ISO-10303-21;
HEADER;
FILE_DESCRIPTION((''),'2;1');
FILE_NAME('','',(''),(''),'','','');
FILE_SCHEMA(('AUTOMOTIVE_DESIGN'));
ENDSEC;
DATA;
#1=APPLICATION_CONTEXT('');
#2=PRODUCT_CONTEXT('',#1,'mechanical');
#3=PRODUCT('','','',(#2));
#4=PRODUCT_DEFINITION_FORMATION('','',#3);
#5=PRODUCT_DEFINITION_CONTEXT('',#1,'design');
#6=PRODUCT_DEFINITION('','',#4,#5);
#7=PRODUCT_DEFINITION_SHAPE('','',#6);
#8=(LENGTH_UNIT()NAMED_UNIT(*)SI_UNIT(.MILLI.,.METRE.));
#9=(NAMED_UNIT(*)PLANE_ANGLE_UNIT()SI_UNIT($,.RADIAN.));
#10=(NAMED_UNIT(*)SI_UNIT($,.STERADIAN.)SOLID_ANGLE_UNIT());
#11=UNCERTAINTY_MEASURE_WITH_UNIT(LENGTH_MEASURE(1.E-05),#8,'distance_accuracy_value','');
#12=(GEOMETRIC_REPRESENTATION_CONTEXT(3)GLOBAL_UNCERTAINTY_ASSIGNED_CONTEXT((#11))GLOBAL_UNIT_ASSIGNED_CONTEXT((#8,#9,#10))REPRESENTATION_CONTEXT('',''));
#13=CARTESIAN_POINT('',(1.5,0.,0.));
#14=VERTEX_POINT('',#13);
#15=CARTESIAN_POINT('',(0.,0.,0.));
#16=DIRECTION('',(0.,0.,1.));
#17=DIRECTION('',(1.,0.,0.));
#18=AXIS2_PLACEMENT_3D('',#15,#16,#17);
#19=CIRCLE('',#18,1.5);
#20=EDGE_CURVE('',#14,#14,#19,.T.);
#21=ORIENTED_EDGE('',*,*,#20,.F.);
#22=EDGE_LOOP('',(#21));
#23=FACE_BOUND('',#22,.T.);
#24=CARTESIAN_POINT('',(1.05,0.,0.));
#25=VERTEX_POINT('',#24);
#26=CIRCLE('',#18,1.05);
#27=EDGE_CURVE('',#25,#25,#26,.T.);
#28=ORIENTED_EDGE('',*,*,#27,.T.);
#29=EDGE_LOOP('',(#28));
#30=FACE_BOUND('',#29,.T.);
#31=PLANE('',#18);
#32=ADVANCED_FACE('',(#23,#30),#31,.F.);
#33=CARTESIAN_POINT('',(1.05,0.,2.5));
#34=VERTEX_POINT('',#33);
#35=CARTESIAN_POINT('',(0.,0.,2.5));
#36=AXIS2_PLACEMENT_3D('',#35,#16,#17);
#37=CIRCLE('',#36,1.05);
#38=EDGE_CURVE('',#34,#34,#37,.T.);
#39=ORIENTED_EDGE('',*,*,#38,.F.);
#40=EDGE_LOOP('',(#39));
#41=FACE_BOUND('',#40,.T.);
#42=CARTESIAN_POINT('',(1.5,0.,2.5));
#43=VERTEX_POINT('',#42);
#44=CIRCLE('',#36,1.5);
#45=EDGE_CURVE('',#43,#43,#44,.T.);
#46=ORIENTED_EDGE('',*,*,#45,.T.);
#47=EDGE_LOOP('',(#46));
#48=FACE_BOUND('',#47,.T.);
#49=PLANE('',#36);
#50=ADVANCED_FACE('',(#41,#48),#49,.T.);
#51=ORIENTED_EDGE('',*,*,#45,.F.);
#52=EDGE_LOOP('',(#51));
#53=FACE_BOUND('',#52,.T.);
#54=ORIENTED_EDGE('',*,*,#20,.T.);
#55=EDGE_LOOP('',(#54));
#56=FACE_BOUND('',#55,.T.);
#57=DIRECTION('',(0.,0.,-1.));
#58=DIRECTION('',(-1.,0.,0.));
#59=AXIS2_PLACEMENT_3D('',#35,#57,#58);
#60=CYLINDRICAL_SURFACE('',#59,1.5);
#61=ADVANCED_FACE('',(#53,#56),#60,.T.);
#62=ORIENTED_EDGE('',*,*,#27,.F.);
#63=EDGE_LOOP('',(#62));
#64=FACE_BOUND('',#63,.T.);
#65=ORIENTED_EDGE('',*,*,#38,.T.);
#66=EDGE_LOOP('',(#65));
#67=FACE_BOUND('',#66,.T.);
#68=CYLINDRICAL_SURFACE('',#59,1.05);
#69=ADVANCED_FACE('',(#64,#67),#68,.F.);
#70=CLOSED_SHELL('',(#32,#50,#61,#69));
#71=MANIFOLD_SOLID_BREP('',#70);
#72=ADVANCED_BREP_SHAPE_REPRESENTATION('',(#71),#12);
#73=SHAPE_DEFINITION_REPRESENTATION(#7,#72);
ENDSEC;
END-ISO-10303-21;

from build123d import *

# Parameters (mm, degrees)
SKETCH1_R    = 1.5
SKETCH1_R_2  = 1.05
SPACER_DEPTH = 2.5


with BuildPart() as part:
    # Sketch1 → Spacer (new body)
    with BuildSketch(Plane.XY):
        Circle(SKETCH1_R)
        Circle(SKETCH1_R_2, mode=Mode.SUBTRACT)
    extrude(amount=SPACER_DEPTH)


solid = part.part
